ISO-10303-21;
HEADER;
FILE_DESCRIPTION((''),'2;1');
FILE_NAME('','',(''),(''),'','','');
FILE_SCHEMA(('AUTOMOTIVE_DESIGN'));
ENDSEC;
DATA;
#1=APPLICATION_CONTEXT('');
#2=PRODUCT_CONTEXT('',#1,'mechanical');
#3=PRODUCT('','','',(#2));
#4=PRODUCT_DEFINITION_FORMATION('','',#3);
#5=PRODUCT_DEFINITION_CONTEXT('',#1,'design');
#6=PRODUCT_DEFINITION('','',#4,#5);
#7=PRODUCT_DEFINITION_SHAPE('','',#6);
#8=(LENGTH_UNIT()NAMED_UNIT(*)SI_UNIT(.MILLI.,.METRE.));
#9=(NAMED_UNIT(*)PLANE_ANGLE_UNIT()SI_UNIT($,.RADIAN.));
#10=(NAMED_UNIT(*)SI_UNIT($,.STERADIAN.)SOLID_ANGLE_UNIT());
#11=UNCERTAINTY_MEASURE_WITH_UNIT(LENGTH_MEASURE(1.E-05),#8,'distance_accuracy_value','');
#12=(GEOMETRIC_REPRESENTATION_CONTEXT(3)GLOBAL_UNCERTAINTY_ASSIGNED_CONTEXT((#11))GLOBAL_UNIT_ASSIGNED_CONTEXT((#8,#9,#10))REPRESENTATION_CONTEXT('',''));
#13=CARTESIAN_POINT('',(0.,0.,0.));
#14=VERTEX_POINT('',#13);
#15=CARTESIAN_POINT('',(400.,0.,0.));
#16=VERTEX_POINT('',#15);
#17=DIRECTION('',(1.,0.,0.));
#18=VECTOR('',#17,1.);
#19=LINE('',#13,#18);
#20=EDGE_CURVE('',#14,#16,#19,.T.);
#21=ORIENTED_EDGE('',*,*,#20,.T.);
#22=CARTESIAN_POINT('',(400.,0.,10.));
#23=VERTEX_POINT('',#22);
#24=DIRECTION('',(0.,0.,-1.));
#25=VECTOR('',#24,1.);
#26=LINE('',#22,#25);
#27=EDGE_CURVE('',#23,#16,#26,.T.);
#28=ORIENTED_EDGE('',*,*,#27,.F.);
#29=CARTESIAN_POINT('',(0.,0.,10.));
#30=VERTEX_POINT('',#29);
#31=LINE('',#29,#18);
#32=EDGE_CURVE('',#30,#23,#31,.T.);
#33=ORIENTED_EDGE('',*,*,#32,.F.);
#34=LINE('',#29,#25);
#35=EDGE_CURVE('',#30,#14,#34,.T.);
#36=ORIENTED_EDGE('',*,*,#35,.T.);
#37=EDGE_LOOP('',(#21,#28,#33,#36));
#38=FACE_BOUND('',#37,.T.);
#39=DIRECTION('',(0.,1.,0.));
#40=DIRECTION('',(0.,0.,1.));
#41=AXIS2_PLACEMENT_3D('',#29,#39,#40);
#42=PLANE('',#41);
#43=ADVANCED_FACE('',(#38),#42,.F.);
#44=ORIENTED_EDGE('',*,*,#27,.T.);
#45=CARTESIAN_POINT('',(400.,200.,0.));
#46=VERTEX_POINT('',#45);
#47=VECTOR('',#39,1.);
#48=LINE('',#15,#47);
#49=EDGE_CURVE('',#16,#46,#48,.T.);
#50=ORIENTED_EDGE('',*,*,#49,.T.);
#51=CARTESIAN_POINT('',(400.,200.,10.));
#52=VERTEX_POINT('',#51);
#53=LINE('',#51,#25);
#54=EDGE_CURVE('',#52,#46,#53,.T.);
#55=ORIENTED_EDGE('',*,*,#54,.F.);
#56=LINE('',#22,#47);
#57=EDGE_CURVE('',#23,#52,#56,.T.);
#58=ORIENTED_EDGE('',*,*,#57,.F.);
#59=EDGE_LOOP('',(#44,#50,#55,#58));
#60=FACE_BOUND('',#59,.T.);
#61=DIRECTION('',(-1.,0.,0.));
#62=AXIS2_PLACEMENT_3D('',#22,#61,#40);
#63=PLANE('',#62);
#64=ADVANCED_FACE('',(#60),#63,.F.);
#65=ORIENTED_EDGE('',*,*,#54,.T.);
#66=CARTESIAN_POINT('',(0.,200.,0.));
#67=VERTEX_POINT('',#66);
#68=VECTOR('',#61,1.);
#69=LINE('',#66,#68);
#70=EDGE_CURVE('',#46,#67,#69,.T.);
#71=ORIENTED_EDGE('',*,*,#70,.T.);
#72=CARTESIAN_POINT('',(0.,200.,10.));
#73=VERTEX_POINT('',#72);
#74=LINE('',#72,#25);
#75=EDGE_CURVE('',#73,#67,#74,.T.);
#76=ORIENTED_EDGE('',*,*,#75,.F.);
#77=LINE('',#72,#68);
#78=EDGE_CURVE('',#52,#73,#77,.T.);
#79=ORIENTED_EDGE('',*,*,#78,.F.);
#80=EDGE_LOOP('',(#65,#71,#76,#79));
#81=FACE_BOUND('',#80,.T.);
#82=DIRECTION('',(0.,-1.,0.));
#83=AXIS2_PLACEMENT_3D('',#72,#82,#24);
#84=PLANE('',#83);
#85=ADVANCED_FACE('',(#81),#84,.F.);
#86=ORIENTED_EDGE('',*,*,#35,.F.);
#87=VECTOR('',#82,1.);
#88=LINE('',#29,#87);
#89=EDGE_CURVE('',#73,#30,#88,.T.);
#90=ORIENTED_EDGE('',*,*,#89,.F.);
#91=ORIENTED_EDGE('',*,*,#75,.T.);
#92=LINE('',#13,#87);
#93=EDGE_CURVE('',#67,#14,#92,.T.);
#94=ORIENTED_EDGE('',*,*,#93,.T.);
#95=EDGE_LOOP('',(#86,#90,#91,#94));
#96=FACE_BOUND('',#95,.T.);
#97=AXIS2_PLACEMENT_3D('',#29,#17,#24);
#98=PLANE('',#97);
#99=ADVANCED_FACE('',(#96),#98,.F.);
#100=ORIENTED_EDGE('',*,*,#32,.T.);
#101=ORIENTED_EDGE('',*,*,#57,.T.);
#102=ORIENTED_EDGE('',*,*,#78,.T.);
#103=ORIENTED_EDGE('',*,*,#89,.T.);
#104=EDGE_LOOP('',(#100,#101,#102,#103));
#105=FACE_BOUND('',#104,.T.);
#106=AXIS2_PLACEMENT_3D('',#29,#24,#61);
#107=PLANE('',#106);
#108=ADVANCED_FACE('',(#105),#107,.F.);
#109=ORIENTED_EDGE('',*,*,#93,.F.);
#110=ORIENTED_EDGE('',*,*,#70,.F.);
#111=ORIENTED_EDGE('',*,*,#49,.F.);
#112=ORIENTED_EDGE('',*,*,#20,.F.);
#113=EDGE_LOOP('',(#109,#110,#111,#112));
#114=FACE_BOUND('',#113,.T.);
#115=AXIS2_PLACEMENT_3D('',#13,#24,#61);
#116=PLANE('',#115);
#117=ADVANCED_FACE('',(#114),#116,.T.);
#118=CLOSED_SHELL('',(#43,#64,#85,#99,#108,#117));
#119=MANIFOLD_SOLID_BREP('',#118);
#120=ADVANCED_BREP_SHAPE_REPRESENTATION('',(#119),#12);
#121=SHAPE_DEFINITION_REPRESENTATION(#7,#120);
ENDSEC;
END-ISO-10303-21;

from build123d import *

# Parameters (mm, degrees)
SKETCH1_W           = 400
SKETCH1_H           = 200
BOSS_EXTRUDE1_DEPTH = 10


with BuildPart() as part:
    # Sketch1 → Boss-Extrude1 (new body)
    with BuildSketch(Plane.XY):
        with Locations((200, 100)):
            Rectangle(SKETCH1_W, SKETCH1_H)
    extrude(amount=BOSS_EXTRUDE1_DEPTH)


solid = part.part
